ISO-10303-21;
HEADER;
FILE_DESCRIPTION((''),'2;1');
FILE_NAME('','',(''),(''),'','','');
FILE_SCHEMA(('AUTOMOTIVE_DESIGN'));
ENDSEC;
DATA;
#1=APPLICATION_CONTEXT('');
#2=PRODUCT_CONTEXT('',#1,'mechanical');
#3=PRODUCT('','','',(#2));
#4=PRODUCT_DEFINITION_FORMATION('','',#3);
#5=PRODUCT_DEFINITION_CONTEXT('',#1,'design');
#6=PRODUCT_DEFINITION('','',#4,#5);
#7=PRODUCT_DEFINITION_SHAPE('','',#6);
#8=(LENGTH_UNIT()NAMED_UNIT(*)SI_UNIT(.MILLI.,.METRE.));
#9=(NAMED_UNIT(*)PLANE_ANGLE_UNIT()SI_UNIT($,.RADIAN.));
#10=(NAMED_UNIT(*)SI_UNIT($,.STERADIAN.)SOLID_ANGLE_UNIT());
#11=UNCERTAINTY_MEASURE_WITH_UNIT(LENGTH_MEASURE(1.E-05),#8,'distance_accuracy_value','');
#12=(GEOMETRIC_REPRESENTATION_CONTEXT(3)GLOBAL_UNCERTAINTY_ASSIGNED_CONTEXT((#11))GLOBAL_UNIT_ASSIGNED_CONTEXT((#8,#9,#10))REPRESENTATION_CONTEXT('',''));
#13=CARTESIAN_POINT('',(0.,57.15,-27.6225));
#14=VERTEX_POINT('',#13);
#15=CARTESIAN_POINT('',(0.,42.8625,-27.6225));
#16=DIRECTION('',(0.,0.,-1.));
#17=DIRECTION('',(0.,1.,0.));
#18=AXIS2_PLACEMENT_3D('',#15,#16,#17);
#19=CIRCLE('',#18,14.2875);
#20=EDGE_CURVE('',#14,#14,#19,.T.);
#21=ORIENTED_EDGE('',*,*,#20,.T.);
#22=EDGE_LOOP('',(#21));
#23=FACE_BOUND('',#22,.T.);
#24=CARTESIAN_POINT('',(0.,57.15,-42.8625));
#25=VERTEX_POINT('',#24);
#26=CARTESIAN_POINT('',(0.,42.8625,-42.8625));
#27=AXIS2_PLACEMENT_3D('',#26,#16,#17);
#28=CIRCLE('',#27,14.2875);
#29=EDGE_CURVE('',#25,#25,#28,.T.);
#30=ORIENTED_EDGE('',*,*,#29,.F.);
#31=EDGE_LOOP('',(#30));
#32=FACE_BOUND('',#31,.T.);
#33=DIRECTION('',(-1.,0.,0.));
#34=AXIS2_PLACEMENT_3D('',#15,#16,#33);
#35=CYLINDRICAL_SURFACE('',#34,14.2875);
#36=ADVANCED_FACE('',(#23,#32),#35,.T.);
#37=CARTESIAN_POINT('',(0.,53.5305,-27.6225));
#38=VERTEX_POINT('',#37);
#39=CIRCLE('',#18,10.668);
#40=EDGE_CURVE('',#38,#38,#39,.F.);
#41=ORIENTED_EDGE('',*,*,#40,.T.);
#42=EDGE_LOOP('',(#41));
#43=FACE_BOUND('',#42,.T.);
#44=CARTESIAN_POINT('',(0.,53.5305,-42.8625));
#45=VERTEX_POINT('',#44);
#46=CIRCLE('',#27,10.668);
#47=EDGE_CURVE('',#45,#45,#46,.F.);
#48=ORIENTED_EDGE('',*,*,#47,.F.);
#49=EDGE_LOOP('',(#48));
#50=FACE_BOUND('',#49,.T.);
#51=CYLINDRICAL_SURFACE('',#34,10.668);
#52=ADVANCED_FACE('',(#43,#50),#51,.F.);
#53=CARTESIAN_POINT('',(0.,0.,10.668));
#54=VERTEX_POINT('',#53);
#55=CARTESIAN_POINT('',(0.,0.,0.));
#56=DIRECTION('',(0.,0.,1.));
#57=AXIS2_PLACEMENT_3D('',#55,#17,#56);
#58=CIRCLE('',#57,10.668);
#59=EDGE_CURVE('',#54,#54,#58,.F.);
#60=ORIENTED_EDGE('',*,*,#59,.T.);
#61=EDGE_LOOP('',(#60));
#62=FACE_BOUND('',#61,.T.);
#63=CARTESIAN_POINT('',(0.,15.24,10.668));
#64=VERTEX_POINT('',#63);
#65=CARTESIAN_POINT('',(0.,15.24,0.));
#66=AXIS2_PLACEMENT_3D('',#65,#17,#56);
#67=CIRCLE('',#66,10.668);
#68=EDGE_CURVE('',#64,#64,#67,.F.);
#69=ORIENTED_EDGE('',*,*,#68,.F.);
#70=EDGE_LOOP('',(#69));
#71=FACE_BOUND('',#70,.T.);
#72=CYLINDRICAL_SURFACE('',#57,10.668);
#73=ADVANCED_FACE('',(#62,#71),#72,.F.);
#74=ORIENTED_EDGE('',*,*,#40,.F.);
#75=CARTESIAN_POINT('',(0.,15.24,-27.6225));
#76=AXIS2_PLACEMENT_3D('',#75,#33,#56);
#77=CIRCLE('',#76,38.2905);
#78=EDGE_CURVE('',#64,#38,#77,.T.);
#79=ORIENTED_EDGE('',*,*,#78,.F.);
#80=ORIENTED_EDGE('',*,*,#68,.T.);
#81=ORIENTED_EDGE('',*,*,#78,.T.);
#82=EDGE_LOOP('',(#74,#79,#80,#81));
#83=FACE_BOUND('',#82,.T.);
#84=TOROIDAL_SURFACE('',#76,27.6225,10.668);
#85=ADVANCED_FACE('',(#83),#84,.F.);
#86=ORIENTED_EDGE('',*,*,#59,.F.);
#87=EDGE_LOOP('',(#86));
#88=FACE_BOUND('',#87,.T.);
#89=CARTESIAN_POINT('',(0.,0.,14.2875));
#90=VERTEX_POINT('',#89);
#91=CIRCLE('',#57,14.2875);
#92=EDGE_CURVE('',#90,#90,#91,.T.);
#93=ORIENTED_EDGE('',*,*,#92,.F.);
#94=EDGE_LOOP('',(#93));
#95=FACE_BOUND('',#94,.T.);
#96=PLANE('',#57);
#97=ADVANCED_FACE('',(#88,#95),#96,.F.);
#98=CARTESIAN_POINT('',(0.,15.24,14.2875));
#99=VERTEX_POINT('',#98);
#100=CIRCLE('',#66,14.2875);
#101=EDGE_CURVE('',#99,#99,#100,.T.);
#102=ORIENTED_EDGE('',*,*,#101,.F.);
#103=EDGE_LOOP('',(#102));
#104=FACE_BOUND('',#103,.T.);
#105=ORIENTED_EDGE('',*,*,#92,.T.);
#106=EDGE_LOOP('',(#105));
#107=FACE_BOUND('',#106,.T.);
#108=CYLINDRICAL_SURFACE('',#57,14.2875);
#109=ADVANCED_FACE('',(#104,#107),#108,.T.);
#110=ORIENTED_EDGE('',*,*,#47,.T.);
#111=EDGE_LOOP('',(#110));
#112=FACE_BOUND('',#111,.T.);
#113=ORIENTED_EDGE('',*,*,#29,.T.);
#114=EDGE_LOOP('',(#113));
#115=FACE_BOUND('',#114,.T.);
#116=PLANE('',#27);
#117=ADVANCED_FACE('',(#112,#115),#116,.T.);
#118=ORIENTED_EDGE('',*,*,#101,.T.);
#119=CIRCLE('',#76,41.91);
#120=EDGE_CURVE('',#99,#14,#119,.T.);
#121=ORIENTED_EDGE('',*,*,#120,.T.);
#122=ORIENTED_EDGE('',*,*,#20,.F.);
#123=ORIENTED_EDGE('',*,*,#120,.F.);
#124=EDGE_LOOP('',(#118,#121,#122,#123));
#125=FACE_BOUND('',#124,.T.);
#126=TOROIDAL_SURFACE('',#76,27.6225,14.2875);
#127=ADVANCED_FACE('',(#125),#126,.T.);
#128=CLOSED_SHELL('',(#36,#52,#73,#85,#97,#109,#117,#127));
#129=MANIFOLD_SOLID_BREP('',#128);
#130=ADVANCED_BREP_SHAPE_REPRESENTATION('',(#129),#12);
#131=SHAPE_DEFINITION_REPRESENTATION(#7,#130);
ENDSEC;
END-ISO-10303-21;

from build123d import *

# Parameters (mm, degrees)
SKETCH1_R   = 14.2875
SKETCH1_R_2 = 10.668


with BuildPart() as part:
    # Sweep1: sweep along a path in Sketch2
    with BuildLine(Plane(origin=(0, 0, 0), x_dir=(0, 0, -1), z_dir=(1, 0, 0))) as sweep1_path:
        Line((0, 0), (0, 15.24))
        ThreePointArc((0, 15.24), (8.090442937, 34.772057063), (27.6225, 42.8625))
        Line((27.6225, 42.8625), (42.8625, 42.8625))
    # Sketch1 → Sweep1 (sweep)
    with BuildSketch(Plane(origin=(0, 0, 0), x_dir=(1, 0, 0), z_dir=(0, 1, 0))):
        Circle(SKETCH1_R)
        Circle(SKETCH1_R_2, mode=Mode.SUBTRACT)
    sweep(path=sweep1_path.line)


solid = part.part
